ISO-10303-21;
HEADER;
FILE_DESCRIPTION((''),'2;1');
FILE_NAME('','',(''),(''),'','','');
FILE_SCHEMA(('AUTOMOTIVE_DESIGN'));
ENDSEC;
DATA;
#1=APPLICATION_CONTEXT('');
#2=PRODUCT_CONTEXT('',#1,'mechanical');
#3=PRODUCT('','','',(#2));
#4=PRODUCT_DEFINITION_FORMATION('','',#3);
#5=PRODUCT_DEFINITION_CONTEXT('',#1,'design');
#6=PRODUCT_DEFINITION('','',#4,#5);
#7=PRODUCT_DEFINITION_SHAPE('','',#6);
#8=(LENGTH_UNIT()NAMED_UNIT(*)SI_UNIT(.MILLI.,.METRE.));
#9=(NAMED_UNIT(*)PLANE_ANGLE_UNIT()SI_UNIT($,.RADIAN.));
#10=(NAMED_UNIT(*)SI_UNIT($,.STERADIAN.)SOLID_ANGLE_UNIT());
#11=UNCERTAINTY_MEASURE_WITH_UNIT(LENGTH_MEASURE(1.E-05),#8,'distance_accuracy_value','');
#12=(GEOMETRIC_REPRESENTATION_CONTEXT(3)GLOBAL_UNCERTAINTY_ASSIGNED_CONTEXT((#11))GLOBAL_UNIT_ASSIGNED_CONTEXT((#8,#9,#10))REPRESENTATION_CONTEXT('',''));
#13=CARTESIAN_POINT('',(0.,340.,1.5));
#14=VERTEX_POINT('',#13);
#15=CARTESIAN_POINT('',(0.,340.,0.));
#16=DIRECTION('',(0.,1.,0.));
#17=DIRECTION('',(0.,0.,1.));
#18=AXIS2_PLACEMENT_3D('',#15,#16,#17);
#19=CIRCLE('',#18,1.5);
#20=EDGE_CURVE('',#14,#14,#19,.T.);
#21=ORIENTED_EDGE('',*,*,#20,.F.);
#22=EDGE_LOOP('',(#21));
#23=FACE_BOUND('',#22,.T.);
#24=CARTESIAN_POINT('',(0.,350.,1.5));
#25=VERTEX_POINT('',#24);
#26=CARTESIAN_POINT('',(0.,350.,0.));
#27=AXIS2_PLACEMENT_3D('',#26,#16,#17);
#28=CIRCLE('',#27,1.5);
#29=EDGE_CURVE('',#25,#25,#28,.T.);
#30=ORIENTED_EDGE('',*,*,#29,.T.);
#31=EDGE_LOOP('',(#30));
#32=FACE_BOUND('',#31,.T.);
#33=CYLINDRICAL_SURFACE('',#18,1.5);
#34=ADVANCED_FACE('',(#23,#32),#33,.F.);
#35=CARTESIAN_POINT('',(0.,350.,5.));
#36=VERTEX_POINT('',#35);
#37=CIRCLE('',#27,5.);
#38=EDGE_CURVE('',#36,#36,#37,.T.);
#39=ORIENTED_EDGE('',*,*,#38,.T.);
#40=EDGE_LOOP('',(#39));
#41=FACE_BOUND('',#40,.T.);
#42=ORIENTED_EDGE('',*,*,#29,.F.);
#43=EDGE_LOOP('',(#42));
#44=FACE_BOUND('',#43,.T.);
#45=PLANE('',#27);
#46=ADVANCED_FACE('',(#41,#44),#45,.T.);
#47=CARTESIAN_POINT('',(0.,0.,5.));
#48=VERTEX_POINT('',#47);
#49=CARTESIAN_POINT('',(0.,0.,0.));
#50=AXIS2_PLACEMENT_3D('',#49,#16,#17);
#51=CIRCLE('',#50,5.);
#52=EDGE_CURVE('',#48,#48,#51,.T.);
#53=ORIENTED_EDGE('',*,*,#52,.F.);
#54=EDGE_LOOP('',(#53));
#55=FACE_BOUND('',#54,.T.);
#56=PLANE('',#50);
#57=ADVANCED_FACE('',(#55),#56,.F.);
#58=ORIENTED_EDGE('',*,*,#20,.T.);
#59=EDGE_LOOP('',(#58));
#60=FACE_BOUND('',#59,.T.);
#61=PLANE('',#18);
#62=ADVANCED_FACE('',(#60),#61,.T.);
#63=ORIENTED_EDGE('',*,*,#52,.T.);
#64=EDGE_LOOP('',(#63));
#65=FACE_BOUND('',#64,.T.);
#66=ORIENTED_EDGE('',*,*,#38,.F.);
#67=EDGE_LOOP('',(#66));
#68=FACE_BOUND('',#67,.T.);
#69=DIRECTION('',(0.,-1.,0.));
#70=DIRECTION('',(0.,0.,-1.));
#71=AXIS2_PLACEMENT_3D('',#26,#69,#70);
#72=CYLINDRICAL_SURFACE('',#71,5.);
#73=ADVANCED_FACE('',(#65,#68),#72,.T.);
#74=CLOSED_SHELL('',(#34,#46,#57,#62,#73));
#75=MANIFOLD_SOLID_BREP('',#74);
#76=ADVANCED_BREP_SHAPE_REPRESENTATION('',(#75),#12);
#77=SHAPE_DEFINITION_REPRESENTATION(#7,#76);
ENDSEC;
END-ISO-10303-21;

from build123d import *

# Parameters (mm, degrees)
SKETCH1_R           = 5
BOSS_EXTRUDE1_DEPTH = 350
SKETCH2_R           = 1.5
CUT_EXTRUDE1_DEPTH  = 10


with BuildPart() as part:
    # Sketch1 → Boss-Extrude1 (new body)
    with BuildSketch(Plane(origin=(0, 0, 0), x_dir=(1, 0, 0), z_dir=(0, 1, 0))):
        Circle(SKETCH1_R)
    extrude(amount=BOSS_EXTRUDE1_DEPTH)

    # Sketch2 → Cut-Extrude1 (cut)
    with BuildSketch(Plane(origin=(0, 350, 0), x_dir=(1, 0, 0), z_dir=(0, 1, 0))):
        Circle(SKETCH2_R)
    extrude(amount=-CUT_EXTRUDE1_DEPTH, mode=Mode.SUBTRACT)


solid = part.part
